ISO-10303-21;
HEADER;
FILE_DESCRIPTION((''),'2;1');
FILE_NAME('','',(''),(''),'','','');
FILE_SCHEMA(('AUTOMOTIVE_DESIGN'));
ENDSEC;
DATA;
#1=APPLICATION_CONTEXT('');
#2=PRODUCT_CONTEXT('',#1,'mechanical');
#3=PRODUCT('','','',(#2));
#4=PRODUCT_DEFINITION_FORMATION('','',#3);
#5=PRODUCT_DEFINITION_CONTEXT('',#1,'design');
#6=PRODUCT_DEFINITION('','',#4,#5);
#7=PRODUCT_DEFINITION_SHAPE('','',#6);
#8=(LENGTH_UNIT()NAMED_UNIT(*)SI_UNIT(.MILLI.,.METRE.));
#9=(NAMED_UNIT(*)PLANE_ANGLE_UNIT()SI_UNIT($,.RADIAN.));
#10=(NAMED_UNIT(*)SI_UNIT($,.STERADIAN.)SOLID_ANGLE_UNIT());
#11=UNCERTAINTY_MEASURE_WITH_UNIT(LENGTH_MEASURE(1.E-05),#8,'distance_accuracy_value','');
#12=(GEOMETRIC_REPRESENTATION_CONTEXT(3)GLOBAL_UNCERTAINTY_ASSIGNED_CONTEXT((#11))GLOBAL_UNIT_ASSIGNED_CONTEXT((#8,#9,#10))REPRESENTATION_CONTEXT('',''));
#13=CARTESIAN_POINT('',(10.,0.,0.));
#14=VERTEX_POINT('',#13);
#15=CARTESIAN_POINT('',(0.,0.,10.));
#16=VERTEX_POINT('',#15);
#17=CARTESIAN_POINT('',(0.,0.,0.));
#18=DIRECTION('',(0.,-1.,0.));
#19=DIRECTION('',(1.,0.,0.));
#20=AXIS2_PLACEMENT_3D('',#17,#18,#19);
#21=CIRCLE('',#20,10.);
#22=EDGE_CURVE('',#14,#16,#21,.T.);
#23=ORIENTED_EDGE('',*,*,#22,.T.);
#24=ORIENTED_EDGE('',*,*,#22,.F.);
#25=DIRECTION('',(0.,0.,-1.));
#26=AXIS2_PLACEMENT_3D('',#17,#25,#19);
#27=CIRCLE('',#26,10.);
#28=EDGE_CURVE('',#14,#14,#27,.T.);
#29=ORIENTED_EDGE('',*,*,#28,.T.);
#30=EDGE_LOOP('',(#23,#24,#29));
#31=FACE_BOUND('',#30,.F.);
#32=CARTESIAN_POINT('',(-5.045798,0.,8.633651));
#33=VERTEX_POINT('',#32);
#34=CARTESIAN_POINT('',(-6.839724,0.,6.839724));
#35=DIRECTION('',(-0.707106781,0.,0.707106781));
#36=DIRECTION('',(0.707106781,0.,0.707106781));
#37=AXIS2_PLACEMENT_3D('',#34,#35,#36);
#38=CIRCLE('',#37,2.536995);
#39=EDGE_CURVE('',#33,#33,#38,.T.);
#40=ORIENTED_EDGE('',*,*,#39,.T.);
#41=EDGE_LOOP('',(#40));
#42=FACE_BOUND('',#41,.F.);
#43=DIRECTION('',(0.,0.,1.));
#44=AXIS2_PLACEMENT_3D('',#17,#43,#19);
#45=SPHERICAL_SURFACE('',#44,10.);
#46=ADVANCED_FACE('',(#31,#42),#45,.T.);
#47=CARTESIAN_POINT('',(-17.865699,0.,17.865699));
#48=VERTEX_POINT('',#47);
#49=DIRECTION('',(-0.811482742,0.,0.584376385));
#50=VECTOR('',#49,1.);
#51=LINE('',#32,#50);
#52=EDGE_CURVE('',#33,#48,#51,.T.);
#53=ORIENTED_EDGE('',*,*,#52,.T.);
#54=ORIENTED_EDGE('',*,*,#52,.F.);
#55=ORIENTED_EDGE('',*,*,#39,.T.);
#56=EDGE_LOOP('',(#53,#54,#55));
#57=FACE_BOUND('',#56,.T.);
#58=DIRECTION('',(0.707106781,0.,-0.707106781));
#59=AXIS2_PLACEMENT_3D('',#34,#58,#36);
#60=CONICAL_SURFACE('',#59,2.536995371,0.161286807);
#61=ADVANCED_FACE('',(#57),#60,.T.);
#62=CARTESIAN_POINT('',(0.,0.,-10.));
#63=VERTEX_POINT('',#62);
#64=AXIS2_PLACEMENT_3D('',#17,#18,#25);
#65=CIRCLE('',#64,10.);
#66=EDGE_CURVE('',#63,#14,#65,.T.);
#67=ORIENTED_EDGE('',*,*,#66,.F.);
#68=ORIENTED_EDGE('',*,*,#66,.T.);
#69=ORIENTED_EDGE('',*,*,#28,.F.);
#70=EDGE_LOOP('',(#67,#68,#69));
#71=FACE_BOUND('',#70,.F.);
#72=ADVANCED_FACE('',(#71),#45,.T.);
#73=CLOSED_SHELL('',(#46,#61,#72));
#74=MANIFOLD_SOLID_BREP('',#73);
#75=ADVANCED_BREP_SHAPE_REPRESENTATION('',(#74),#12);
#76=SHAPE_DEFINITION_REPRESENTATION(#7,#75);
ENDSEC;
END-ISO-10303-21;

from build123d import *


with BuildPart() as f1:
    # F0 (on Front) → F1 (revolve)
    with BuildSketch(Plane.XZ):
        with BuildLine():
            ThreePointArc((0, -10), (7.0710678119, -7.0710678119), (10, 0))
            ThreePointArc((10, 0), (7.0710678119, 7.0710678119), (0, 10))
            Line((0, 10), (0, 5))
            Line((0, 5), (0, 0))
            Line((0, 0), (0, -10))
        make_face()
    revolve(axis=Axis((0, 0, 0), (0, 0, -1)))

    # F0 (on Front) → F2 (revolve)
    with BuildSketch(Plane.XZ):
        with BuildLine():
            ThreePointArc((-7.0710678119, 7.0710678119), (-6.1086023889, 7.9173844705), (-5.0457975777, 8.6336508387))
            Line((-5.0457975777, 8.6336508387), (-17.8656985082, 17.8656985082))
            Line((-17.8656985082, 17.8656985082), (-7.0710678119, 7.0710678119))
        make_face()
    revolve(axis=Axis((-8.9328492541, 0, 8.9328492541), (-0.7071067812, 0, 0.7071067812)))


solid = f1.part
